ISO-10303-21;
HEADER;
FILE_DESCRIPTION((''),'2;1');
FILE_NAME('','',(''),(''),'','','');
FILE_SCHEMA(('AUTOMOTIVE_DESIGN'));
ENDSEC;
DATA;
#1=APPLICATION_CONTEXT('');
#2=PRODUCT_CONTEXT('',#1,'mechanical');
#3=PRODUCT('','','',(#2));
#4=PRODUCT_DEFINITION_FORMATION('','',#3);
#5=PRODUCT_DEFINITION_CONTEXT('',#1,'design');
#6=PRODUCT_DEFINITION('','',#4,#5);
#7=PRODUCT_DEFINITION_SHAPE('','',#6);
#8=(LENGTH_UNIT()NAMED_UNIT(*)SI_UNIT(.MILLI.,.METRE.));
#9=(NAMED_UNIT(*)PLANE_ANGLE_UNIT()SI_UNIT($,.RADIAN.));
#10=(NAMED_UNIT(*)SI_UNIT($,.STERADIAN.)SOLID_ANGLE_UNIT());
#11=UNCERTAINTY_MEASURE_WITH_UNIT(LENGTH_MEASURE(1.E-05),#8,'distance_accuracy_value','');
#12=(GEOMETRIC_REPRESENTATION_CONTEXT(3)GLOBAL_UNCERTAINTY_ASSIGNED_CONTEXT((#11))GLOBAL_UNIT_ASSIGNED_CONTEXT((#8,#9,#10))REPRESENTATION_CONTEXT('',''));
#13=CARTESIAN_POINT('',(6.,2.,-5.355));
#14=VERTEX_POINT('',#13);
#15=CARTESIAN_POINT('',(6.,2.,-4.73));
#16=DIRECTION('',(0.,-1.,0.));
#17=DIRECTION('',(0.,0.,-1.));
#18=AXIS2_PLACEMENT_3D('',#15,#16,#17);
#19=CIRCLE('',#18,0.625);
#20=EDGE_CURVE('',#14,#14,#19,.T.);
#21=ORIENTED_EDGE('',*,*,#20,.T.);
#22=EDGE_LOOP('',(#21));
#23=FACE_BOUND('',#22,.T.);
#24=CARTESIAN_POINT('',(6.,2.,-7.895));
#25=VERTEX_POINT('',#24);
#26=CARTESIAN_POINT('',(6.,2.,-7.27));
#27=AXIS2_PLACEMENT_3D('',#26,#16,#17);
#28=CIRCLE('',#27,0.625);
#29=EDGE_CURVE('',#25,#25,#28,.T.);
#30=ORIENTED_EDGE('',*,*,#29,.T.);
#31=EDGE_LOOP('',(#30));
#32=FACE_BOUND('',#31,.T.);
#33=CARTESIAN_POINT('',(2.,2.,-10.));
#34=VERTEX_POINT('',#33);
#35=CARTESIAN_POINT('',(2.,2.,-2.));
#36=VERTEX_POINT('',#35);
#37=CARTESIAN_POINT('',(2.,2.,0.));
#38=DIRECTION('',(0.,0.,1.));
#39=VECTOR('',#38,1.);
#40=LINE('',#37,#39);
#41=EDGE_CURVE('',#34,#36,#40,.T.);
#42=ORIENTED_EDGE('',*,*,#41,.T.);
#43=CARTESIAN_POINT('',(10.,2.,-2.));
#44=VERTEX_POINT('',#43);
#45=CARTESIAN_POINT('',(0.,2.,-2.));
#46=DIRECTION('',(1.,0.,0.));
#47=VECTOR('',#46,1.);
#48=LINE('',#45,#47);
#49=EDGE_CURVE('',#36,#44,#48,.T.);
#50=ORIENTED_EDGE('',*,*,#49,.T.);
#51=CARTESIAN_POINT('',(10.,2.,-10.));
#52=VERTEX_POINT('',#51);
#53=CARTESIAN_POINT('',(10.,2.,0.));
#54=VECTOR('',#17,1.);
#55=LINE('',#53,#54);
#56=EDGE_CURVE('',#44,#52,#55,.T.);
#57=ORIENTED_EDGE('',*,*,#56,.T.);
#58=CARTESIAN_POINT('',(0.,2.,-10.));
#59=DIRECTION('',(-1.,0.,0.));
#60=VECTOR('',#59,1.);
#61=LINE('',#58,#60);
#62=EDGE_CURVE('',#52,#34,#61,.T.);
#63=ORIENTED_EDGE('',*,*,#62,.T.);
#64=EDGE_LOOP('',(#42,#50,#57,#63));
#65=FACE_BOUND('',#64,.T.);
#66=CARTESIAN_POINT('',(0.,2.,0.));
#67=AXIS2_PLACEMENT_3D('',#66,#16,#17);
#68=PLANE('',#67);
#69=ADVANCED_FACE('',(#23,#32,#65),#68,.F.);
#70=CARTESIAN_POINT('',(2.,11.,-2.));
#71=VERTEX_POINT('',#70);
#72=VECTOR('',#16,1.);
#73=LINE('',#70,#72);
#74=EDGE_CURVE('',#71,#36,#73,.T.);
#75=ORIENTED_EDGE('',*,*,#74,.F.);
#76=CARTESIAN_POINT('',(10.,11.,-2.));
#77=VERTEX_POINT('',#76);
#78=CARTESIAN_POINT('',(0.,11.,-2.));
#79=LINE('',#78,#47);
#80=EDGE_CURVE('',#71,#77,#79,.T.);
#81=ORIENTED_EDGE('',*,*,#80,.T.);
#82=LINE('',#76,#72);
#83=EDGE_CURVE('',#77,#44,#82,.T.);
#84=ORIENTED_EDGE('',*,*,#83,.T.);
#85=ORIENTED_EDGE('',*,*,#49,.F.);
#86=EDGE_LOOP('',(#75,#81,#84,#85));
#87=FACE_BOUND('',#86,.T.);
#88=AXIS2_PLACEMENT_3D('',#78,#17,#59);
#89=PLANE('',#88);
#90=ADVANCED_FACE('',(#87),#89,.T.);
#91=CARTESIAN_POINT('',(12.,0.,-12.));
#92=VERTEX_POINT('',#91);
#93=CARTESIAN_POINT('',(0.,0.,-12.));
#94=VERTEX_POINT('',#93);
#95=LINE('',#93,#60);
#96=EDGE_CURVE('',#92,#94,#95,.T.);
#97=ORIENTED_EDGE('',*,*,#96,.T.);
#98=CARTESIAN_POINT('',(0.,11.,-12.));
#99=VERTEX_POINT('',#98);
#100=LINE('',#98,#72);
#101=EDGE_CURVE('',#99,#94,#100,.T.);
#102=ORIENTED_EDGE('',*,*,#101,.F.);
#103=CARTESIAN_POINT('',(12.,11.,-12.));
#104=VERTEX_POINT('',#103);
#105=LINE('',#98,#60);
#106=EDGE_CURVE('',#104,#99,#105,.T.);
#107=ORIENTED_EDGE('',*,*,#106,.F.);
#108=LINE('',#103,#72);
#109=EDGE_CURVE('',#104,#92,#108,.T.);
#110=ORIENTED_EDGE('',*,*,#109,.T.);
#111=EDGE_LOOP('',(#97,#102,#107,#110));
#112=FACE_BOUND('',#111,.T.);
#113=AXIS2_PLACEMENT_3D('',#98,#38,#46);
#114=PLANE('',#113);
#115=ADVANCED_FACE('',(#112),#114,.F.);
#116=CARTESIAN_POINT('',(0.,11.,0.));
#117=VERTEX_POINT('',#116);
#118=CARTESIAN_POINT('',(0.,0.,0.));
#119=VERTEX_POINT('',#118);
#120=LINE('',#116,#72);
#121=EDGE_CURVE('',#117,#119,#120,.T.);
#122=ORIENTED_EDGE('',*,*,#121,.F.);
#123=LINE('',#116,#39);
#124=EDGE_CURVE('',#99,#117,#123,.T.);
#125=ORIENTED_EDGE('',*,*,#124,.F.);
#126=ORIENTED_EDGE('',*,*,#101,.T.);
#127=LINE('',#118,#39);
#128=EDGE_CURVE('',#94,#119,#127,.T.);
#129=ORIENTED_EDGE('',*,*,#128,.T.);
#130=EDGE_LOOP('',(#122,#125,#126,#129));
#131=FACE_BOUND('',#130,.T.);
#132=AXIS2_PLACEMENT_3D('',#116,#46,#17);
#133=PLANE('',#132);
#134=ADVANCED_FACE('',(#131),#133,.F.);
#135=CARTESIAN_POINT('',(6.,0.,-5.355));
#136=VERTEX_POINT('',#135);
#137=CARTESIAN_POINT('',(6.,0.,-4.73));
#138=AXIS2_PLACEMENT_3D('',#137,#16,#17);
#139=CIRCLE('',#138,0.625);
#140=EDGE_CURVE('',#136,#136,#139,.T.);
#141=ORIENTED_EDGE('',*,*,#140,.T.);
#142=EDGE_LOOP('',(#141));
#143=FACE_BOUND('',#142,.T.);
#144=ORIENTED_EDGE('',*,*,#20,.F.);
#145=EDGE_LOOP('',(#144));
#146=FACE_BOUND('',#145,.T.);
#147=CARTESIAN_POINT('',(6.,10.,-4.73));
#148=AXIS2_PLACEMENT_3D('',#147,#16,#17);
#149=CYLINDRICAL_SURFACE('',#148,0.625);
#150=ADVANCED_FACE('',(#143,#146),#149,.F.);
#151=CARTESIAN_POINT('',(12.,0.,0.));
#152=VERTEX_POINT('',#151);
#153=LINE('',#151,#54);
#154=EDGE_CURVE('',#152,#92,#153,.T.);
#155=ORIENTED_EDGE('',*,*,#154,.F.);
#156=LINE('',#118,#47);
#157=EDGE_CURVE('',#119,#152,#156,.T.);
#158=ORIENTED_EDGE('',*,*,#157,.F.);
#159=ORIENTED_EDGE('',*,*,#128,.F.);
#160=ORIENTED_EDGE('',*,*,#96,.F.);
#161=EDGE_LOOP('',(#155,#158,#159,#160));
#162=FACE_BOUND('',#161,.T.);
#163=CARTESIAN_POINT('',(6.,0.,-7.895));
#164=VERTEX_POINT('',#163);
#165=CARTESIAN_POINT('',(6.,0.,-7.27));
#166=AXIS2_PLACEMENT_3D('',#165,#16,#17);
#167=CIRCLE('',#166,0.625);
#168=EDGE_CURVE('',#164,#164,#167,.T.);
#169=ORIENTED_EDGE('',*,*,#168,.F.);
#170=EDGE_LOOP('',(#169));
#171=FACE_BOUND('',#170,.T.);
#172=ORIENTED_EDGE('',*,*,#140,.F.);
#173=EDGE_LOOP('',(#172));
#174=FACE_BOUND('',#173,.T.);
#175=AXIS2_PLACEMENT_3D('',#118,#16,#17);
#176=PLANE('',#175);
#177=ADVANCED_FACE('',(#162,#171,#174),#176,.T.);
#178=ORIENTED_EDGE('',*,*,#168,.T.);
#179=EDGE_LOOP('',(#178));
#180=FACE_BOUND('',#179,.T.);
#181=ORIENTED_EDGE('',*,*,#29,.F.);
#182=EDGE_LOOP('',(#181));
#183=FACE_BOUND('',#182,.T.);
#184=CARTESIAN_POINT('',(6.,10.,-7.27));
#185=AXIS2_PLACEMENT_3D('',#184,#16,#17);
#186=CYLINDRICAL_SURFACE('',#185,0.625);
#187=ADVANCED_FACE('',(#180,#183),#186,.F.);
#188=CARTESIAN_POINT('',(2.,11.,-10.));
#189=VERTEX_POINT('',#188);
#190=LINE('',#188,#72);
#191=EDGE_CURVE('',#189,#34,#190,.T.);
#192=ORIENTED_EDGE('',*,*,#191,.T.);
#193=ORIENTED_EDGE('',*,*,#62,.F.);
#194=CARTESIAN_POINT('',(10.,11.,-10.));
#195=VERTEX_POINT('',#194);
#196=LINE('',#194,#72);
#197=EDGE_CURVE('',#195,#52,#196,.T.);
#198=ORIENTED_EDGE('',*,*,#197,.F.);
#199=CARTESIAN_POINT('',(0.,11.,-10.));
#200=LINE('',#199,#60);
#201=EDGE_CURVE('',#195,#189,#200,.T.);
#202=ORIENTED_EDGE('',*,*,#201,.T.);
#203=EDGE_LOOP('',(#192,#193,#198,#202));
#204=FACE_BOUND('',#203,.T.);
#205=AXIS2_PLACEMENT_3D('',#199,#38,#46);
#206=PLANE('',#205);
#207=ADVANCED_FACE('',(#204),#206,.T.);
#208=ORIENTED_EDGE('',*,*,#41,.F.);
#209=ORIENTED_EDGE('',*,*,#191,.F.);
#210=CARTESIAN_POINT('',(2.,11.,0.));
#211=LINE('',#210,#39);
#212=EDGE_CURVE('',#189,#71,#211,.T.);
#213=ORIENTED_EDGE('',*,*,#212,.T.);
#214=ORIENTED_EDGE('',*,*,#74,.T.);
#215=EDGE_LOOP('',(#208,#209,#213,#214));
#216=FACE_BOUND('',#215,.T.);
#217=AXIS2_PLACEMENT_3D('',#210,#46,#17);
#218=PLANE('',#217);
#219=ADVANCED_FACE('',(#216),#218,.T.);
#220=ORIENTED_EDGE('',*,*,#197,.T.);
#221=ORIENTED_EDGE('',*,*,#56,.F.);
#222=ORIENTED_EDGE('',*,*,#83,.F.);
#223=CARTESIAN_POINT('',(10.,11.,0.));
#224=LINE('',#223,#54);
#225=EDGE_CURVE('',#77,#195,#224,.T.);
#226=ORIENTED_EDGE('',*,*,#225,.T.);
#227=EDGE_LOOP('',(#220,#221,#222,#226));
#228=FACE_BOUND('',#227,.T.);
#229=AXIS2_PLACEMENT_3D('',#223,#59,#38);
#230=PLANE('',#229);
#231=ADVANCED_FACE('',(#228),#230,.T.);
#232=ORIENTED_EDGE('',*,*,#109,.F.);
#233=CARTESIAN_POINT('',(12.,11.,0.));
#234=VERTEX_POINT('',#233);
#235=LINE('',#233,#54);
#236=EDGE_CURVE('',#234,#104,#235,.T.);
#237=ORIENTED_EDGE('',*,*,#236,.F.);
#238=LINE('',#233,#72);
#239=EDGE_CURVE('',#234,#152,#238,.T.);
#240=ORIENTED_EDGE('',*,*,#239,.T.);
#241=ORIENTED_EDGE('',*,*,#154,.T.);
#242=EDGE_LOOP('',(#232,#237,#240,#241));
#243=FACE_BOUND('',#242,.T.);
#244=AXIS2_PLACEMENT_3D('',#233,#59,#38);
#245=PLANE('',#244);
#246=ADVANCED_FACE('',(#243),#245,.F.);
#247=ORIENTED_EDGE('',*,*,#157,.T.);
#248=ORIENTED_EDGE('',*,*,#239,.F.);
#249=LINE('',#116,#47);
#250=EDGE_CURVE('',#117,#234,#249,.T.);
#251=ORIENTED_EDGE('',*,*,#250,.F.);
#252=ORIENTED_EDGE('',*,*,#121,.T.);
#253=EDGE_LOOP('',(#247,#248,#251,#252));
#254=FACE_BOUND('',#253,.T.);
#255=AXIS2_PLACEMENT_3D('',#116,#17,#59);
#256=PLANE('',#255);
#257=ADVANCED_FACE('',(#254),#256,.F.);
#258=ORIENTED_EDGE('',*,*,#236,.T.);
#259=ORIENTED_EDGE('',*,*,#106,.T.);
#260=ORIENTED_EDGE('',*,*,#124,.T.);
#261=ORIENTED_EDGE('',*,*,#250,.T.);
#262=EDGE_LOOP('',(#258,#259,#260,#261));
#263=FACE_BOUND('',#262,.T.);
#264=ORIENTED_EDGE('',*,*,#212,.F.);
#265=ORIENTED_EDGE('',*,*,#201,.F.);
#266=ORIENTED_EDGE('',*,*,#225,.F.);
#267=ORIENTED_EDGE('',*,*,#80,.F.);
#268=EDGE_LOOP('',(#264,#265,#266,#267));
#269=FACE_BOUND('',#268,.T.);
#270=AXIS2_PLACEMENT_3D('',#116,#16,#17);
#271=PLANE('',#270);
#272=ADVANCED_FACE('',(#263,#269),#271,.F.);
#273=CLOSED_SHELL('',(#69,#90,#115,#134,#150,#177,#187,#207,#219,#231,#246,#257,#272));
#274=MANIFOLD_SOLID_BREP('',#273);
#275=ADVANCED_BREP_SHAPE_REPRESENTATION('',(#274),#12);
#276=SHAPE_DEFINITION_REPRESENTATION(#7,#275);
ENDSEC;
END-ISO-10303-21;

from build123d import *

# Parameters (mm, degrees)
SKETCH1_W           = 12
SKETCH1_H           = 12
BOSS_EXTRUDE1_DEPTH = 11
SHELL1_T            = -2
SKETCH3_R           = 0.625
CUT_EXTRUDE1_DEPTH  = 10


with BuildPart() as part:
    # Sketch1 → Boss-Extrude1 (new body)
    with BuildSketch(Plane(origin=(0, 0, 0), x_dir=(1, 0, 0), z_dir=(0, 1, 0))):
        with Locations((6, 6)):
            Rectangle(SKETCH1_W, SKETCH1_H)
    extrude(amount=BOSS_EXTRUDE1_DEPTH)

    # Shell1
    shell1_openings = [part.faces().sort_by_distance(p)[0] for p in [
        (6, 11, -6),
    ]]
    offset(amount=SHELL1_T, openings=shell1_openings, kind=Kind.INTERSECTION)

    # Sketch3 → Cut-Extrude1 (cut)
    with BuildSketch(Plane.XZ):
        with Locations((6, -4.73)):
            Circle(SKETCH3_R)
        with Locations((6, -7.27)):
            Circle(SKETCH3_R)
    extrude(amount=-CUT_EXTRUDE1_DEPTH, mode=Mode.SUBTRACT)


solid = part.part
